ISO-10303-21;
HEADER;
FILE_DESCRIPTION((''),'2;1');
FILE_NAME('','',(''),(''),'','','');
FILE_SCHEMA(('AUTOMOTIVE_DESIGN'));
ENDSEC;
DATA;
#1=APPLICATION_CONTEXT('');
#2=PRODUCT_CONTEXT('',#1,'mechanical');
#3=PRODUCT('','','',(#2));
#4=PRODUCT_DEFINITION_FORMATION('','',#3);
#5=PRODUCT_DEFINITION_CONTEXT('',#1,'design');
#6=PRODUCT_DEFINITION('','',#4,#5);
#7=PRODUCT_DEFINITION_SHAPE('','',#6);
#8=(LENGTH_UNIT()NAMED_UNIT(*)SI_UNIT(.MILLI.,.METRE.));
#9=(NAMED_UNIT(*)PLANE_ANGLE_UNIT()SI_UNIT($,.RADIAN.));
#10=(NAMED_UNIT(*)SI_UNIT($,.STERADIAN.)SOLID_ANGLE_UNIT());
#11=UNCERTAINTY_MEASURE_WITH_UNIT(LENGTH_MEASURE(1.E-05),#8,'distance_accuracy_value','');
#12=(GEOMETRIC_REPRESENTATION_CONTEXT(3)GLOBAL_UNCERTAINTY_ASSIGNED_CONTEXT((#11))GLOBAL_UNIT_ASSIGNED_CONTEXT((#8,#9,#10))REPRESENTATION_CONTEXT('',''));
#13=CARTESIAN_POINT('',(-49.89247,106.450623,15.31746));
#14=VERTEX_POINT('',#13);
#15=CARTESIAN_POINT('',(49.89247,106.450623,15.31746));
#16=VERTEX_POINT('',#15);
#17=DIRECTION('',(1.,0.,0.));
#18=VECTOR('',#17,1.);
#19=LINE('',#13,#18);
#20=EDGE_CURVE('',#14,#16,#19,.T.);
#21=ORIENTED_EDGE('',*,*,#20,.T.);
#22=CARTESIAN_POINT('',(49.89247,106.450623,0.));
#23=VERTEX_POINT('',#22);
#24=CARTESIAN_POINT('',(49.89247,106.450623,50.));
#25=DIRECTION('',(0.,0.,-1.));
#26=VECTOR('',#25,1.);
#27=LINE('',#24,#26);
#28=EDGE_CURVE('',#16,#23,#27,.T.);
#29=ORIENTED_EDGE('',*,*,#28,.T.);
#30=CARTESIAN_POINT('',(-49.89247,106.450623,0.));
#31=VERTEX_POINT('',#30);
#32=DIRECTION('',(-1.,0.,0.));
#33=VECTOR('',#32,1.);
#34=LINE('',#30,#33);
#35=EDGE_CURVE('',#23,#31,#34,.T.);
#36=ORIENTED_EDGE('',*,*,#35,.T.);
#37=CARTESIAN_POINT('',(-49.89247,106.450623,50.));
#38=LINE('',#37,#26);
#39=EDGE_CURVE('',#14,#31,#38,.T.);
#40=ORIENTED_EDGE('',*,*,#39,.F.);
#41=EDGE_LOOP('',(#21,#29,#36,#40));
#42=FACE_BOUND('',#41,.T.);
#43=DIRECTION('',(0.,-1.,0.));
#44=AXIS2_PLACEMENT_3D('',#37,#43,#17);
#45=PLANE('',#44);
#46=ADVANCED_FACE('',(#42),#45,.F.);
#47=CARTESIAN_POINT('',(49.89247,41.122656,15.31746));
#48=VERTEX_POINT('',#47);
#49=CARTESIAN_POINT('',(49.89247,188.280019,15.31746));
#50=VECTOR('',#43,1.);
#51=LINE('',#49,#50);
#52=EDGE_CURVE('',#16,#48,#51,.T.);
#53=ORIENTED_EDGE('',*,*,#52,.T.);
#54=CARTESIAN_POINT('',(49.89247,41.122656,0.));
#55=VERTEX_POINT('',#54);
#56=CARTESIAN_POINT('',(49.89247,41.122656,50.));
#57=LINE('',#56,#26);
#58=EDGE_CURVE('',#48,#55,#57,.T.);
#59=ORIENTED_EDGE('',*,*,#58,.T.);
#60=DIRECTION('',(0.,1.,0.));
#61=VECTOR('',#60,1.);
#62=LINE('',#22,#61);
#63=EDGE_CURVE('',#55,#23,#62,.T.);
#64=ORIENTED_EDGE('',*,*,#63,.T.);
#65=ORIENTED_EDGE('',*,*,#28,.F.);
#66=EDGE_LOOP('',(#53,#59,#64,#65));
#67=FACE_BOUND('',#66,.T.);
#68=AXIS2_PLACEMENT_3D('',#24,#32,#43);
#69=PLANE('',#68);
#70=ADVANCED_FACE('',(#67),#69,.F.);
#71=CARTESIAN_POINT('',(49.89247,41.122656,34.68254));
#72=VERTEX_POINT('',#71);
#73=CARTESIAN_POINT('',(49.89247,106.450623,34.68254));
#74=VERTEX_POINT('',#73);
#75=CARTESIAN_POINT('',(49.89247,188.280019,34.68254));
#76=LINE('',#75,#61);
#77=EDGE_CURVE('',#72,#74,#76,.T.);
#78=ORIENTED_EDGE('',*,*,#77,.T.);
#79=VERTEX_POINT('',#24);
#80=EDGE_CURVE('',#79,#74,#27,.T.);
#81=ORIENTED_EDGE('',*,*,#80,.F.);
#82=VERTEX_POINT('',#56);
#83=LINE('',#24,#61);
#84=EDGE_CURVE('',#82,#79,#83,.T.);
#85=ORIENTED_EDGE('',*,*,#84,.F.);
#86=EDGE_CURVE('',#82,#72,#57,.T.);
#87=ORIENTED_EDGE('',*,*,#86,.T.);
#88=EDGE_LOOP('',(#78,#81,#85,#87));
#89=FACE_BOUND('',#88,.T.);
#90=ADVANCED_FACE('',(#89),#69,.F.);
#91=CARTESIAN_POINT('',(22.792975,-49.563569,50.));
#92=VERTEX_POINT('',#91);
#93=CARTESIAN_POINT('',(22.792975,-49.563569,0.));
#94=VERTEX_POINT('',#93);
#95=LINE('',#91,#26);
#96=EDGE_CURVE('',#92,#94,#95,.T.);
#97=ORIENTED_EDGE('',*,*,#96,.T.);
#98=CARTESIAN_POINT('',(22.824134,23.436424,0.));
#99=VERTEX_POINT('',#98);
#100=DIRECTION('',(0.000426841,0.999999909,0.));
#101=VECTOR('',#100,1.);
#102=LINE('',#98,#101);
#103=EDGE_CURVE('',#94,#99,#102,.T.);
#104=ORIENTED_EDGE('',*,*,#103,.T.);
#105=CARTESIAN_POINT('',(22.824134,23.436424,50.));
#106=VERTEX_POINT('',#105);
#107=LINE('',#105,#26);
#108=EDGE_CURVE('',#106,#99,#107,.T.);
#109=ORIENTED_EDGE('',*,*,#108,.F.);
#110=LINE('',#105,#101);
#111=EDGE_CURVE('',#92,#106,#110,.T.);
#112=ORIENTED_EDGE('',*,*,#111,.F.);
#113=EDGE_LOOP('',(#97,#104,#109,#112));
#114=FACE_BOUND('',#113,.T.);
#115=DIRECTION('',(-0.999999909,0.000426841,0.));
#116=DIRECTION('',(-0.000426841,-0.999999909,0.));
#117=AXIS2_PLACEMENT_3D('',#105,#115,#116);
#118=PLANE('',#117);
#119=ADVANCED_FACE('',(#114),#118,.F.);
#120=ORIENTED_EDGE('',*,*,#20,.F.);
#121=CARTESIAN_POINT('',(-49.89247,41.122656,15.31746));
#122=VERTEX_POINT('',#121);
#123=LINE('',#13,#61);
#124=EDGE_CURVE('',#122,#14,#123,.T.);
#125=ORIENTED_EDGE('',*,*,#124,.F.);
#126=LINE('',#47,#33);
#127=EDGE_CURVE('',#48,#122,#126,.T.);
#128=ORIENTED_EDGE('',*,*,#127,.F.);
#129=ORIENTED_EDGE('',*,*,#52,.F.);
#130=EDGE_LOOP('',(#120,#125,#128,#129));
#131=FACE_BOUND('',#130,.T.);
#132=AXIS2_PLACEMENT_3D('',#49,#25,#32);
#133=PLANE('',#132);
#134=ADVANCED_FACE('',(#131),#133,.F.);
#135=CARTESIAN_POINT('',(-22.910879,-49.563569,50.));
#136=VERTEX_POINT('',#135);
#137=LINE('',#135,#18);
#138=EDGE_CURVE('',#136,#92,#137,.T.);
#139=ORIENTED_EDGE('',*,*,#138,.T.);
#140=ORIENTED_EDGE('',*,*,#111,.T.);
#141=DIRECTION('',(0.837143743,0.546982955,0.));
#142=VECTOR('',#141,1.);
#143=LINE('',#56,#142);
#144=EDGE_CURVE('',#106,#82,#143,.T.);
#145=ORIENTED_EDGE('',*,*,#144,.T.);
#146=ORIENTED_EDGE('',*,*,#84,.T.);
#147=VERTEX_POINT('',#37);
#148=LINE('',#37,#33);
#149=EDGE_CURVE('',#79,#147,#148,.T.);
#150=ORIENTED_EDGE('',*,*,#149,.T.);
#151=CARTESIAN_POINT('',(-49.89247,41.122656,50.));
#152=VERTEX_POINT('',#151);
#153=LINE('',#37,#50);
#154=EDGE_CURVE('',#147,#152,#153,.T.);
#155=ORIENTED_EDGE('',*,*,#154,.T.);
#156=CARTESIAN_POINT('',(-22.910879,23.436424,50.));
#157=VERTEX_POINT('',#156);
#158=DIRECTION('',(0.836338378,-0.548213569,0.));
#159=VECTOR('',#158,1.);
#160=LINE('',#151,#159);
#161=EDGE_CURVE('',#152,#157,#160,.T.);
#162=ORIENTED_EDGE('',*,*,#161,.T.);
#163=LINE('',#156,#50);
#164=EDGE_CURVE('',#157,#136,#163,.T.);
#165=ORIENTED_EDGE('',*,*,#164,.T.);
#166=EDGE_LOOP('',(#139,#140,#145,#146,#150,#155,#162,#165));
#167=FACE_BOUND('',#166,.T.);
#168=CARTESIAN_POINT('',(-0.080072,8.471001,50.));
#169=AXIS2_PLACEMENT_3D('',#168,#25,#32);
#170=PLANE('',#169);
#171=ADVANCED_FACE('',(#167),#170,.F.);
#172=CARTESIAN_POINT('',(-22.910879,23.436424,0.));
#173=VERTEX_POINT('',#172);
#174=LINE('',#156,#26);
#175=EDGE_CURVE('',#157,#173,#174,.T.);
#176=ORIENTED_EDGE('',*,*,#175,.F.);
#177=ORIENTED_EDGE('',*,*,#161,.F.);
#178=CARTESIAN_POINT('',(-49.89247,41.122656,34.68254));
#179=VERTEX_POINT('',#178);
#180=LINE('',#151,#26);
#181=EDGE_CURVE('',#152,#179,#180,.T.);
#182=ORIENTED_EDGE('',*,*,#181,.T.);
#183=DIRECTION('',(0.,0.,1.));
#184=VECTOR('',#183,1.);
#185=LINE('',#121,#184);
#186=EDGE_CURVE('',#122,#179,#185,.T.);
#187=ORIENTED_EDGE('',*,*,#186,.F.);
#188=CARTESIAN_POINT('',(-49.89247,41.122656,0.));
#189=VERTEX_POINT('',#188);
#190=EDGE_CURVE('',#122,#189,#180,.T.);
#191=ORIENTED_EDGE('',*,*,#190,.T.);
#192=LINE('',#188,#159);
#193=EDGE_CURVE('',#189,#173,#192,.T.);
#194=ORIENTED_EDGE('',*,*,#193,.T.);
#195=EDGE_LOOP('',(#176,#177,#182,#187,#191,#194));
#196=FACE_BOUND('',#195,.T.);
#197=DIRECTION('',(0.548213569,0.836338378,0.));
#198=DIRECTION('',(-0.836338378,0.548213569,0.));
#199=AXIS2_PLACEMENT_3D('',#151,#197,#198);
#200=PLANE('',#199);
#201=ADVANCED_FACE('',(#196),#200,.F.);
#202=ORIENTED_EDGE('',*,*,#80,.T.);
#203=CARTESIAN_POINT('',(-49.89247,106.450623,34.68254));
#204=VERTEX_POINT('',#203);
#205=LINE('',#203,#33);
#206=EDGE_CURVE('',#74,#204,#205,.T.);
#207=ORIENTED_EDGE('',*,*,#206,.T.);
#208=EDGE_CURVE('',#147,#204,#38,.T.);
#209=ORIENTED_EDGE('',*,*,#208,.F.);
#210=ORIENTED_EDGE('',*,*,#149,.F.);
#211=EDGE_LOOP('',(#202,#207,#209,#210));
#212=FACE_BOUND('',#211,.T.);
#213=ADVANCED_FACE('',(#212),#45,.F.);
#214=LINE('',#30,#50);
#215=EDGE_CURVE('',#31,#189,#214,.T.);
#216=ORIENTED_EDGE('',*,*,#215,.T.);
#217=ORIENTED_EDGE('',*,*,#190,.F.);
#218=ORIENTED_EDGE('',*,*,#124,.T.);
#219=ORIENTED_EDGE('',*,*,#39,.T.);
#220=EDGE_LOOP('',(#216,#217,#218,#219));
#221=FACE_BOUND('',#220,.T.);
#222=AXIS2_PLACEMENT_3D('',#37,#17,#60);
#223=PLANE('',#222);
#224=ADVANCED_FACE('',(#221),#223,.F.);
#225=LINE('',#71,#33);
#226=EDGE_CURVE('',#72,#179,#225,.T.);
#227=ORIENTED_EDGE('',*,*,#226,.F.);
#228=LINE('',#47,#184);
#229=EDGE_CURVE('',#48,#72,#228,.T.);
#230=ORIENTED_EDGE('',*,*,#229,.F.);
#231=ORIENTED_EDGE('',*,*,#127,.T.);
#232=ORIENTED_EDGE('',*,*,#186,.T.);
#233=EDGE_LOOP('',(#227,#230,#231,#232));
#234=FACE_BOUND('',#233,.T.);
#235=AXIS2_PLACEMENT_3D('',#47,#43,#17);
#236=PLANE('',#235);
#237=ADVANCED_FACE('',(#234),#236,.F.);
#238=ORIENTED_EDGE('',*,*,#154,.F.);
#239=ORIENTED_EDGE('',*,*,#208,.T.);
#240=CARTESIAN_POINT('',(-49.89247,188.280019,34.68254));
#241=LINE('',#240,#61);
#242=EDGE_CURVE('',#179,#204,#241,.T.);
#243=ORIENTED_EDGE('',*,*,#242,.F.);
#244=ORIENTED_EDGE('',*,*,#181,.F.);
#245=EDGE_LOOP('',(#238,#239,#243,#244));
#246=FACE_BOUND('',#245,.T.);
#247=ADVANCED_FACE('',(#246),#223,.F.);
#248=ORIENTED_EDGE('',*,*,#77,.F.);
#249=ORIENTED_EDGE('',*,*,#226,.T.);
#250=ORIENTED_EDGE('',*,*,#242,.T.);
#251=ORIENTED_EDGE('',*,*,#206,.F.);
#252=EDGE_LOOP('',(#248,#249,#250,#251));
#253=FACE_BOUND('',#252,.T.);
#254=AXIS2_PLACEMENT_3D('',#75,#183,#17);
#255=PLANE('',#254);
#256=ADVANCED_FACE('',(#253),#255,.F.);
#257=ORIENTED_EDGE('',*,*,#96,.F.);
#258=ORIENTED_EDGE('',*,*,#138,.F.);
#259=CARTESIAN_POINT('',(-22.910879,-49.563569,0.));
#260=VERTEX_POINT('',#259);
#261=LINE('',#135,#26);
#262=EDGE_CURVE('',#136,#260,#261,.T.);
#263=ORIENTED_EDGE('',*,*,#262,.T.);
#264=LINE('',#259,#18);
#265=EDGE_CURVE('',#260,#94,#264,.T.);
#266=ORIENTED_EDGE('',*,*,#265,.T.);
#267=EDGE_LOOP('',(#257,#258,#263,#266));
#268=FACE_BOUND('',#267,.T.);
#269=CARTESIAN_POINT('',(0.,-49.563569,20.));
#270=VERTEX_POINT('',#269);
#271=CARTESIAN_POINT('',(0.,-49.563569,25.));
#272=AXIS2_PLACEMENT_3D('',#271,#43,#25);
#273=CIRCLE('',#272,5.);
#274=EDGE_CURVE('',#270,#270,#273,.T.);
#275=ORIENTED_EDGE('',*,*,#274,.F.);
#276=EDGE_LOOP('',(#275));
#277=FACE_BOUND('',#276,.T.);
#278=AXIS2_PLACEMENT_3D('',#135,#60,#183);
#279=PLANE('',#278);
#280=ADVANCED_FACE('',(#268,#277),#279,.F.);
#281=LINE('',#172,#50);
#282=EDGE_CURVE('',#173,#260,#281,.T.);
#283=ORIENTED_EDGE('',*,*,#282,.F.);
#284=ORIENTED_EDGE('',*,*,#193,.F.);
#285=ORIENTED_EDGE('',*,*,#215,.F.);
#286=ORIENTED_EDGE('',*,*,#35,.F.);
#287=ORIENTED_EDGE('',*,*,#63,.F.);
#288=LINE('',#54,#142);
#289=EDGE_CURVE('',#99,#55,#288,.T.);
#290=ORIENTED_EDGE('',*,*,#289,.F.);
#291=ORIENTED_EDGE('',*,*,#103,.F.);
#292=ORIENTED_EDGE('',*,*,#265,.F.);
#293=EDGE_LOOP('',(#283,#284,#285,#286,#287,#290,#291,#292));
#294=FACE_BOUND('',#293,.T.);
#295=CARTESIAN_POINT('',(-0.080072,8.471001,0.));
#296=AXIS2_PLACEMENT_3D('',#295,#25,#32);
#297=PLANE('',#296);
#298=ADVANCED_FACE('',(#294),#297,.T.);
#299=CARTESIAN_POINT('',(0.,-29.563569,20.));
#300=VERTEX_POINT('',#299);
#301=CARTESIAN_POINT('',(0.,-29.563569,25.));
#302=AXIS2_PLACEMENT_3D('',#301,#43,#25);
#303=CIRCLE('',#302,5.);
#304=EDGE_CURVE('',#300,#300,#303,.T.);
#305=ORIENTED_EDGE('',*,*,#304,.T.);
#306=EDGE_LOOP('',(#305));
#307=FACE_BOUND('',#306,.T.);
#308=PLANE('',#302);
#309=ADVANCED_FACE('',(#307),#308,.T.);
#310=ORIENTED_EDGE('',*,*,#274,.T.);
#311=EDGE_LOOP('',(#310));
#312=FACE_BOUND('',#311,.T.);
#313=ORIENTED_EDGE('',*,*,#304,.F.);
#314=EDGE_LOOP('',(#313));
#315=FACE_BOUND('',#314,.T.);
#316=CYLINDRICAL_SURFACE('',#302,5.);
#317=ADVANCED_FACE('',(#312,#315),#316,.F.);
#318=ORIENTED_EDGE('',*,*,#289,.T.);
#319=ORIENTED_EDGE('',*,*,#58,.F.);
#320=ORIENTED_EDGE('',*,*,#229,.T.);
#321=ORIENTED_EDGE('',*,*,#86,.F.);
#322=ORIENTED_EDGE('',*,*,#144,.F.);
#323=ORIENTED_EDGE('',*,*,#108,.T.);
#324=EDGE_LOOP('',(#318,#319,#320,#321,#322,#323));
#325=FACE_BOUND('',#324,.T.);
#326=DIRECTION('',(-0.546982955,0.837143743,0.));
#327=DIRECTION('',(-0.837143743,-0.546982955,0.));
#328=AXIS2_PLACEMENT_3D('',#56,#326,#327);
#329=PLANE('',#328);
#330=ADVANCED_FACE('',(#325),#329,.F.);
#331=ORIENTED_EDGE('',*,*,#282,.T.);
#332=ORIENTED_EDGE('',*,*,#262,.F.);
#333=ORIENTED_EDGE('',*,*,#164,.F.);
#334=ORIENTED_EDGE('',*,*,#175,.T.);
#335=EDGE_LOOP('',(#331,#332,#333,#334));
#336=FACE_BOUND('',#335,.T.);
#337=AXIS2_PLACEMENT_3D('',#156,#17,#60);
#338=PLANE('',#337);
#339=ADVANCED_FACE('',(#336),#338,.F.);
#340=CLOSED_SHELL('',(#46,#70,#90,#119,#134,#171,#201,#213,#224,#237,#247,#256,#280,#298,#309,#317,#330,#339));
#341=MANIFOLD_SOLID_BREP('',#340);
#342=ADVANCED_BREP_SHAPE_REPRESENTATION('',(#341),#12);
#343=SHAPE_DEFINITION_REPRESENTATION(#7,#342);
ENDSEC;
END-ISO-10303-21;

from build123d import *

# Parameters (mm, degrees)
EXTRUDE_1_DEPTH    = 50
SKETCH1_R          = 5
CUT_EXTRUDE1_DEPTH = 20
SKETCH2_W          = 19.36508075
SKETCH2_H          = 147.157362998
CUT_EXTRUDE2_DEPTH = 155.236083451


with BuildPart() as part:
    # Эскиз1 → Вытянуть1 (new body)
    with BuildSketch(Plane.XY):
        Polygon((49.89246994, 41.122656045), (22.824133965, 23.436424123), (22.792974544, -49.563569227), (-22.910878505, -49.563569227), (-22.910878505, 23.436424124), (-49.89246994, 41.122656045), (-49.89246994, 106.450623349), (49.89246994, 106.450623349), align=None)
    extrude(amount=EXTRUDE_1_DEPTH)

    # Sketch1 → Cut-Extrude1 (cut)
    with BuildSketch(Plane.XZ.offset(49.563569227)):
        with Locations(Location((0, 25, 0), (0, 0, 270))):
            Circle(SKETCH1_R)
    extrude(amount=-CUT_EXTRUDE1_DEPTH, mode=Mode.SUBTRACT)

    # Sketch2 → Cut-Extrude2 (cut, through all)
    with BuildSketch(Plane.ZY.offset(49.89246994)):
        with Locations((25, 114.701337544)):
            Rectangle(SKETCH2_W, SKETCH2_H)
    extrude(amount=-CUT_EXTRUDE2_DEPTH, mode=Mode.SUBTRACT)


solid = part.part
